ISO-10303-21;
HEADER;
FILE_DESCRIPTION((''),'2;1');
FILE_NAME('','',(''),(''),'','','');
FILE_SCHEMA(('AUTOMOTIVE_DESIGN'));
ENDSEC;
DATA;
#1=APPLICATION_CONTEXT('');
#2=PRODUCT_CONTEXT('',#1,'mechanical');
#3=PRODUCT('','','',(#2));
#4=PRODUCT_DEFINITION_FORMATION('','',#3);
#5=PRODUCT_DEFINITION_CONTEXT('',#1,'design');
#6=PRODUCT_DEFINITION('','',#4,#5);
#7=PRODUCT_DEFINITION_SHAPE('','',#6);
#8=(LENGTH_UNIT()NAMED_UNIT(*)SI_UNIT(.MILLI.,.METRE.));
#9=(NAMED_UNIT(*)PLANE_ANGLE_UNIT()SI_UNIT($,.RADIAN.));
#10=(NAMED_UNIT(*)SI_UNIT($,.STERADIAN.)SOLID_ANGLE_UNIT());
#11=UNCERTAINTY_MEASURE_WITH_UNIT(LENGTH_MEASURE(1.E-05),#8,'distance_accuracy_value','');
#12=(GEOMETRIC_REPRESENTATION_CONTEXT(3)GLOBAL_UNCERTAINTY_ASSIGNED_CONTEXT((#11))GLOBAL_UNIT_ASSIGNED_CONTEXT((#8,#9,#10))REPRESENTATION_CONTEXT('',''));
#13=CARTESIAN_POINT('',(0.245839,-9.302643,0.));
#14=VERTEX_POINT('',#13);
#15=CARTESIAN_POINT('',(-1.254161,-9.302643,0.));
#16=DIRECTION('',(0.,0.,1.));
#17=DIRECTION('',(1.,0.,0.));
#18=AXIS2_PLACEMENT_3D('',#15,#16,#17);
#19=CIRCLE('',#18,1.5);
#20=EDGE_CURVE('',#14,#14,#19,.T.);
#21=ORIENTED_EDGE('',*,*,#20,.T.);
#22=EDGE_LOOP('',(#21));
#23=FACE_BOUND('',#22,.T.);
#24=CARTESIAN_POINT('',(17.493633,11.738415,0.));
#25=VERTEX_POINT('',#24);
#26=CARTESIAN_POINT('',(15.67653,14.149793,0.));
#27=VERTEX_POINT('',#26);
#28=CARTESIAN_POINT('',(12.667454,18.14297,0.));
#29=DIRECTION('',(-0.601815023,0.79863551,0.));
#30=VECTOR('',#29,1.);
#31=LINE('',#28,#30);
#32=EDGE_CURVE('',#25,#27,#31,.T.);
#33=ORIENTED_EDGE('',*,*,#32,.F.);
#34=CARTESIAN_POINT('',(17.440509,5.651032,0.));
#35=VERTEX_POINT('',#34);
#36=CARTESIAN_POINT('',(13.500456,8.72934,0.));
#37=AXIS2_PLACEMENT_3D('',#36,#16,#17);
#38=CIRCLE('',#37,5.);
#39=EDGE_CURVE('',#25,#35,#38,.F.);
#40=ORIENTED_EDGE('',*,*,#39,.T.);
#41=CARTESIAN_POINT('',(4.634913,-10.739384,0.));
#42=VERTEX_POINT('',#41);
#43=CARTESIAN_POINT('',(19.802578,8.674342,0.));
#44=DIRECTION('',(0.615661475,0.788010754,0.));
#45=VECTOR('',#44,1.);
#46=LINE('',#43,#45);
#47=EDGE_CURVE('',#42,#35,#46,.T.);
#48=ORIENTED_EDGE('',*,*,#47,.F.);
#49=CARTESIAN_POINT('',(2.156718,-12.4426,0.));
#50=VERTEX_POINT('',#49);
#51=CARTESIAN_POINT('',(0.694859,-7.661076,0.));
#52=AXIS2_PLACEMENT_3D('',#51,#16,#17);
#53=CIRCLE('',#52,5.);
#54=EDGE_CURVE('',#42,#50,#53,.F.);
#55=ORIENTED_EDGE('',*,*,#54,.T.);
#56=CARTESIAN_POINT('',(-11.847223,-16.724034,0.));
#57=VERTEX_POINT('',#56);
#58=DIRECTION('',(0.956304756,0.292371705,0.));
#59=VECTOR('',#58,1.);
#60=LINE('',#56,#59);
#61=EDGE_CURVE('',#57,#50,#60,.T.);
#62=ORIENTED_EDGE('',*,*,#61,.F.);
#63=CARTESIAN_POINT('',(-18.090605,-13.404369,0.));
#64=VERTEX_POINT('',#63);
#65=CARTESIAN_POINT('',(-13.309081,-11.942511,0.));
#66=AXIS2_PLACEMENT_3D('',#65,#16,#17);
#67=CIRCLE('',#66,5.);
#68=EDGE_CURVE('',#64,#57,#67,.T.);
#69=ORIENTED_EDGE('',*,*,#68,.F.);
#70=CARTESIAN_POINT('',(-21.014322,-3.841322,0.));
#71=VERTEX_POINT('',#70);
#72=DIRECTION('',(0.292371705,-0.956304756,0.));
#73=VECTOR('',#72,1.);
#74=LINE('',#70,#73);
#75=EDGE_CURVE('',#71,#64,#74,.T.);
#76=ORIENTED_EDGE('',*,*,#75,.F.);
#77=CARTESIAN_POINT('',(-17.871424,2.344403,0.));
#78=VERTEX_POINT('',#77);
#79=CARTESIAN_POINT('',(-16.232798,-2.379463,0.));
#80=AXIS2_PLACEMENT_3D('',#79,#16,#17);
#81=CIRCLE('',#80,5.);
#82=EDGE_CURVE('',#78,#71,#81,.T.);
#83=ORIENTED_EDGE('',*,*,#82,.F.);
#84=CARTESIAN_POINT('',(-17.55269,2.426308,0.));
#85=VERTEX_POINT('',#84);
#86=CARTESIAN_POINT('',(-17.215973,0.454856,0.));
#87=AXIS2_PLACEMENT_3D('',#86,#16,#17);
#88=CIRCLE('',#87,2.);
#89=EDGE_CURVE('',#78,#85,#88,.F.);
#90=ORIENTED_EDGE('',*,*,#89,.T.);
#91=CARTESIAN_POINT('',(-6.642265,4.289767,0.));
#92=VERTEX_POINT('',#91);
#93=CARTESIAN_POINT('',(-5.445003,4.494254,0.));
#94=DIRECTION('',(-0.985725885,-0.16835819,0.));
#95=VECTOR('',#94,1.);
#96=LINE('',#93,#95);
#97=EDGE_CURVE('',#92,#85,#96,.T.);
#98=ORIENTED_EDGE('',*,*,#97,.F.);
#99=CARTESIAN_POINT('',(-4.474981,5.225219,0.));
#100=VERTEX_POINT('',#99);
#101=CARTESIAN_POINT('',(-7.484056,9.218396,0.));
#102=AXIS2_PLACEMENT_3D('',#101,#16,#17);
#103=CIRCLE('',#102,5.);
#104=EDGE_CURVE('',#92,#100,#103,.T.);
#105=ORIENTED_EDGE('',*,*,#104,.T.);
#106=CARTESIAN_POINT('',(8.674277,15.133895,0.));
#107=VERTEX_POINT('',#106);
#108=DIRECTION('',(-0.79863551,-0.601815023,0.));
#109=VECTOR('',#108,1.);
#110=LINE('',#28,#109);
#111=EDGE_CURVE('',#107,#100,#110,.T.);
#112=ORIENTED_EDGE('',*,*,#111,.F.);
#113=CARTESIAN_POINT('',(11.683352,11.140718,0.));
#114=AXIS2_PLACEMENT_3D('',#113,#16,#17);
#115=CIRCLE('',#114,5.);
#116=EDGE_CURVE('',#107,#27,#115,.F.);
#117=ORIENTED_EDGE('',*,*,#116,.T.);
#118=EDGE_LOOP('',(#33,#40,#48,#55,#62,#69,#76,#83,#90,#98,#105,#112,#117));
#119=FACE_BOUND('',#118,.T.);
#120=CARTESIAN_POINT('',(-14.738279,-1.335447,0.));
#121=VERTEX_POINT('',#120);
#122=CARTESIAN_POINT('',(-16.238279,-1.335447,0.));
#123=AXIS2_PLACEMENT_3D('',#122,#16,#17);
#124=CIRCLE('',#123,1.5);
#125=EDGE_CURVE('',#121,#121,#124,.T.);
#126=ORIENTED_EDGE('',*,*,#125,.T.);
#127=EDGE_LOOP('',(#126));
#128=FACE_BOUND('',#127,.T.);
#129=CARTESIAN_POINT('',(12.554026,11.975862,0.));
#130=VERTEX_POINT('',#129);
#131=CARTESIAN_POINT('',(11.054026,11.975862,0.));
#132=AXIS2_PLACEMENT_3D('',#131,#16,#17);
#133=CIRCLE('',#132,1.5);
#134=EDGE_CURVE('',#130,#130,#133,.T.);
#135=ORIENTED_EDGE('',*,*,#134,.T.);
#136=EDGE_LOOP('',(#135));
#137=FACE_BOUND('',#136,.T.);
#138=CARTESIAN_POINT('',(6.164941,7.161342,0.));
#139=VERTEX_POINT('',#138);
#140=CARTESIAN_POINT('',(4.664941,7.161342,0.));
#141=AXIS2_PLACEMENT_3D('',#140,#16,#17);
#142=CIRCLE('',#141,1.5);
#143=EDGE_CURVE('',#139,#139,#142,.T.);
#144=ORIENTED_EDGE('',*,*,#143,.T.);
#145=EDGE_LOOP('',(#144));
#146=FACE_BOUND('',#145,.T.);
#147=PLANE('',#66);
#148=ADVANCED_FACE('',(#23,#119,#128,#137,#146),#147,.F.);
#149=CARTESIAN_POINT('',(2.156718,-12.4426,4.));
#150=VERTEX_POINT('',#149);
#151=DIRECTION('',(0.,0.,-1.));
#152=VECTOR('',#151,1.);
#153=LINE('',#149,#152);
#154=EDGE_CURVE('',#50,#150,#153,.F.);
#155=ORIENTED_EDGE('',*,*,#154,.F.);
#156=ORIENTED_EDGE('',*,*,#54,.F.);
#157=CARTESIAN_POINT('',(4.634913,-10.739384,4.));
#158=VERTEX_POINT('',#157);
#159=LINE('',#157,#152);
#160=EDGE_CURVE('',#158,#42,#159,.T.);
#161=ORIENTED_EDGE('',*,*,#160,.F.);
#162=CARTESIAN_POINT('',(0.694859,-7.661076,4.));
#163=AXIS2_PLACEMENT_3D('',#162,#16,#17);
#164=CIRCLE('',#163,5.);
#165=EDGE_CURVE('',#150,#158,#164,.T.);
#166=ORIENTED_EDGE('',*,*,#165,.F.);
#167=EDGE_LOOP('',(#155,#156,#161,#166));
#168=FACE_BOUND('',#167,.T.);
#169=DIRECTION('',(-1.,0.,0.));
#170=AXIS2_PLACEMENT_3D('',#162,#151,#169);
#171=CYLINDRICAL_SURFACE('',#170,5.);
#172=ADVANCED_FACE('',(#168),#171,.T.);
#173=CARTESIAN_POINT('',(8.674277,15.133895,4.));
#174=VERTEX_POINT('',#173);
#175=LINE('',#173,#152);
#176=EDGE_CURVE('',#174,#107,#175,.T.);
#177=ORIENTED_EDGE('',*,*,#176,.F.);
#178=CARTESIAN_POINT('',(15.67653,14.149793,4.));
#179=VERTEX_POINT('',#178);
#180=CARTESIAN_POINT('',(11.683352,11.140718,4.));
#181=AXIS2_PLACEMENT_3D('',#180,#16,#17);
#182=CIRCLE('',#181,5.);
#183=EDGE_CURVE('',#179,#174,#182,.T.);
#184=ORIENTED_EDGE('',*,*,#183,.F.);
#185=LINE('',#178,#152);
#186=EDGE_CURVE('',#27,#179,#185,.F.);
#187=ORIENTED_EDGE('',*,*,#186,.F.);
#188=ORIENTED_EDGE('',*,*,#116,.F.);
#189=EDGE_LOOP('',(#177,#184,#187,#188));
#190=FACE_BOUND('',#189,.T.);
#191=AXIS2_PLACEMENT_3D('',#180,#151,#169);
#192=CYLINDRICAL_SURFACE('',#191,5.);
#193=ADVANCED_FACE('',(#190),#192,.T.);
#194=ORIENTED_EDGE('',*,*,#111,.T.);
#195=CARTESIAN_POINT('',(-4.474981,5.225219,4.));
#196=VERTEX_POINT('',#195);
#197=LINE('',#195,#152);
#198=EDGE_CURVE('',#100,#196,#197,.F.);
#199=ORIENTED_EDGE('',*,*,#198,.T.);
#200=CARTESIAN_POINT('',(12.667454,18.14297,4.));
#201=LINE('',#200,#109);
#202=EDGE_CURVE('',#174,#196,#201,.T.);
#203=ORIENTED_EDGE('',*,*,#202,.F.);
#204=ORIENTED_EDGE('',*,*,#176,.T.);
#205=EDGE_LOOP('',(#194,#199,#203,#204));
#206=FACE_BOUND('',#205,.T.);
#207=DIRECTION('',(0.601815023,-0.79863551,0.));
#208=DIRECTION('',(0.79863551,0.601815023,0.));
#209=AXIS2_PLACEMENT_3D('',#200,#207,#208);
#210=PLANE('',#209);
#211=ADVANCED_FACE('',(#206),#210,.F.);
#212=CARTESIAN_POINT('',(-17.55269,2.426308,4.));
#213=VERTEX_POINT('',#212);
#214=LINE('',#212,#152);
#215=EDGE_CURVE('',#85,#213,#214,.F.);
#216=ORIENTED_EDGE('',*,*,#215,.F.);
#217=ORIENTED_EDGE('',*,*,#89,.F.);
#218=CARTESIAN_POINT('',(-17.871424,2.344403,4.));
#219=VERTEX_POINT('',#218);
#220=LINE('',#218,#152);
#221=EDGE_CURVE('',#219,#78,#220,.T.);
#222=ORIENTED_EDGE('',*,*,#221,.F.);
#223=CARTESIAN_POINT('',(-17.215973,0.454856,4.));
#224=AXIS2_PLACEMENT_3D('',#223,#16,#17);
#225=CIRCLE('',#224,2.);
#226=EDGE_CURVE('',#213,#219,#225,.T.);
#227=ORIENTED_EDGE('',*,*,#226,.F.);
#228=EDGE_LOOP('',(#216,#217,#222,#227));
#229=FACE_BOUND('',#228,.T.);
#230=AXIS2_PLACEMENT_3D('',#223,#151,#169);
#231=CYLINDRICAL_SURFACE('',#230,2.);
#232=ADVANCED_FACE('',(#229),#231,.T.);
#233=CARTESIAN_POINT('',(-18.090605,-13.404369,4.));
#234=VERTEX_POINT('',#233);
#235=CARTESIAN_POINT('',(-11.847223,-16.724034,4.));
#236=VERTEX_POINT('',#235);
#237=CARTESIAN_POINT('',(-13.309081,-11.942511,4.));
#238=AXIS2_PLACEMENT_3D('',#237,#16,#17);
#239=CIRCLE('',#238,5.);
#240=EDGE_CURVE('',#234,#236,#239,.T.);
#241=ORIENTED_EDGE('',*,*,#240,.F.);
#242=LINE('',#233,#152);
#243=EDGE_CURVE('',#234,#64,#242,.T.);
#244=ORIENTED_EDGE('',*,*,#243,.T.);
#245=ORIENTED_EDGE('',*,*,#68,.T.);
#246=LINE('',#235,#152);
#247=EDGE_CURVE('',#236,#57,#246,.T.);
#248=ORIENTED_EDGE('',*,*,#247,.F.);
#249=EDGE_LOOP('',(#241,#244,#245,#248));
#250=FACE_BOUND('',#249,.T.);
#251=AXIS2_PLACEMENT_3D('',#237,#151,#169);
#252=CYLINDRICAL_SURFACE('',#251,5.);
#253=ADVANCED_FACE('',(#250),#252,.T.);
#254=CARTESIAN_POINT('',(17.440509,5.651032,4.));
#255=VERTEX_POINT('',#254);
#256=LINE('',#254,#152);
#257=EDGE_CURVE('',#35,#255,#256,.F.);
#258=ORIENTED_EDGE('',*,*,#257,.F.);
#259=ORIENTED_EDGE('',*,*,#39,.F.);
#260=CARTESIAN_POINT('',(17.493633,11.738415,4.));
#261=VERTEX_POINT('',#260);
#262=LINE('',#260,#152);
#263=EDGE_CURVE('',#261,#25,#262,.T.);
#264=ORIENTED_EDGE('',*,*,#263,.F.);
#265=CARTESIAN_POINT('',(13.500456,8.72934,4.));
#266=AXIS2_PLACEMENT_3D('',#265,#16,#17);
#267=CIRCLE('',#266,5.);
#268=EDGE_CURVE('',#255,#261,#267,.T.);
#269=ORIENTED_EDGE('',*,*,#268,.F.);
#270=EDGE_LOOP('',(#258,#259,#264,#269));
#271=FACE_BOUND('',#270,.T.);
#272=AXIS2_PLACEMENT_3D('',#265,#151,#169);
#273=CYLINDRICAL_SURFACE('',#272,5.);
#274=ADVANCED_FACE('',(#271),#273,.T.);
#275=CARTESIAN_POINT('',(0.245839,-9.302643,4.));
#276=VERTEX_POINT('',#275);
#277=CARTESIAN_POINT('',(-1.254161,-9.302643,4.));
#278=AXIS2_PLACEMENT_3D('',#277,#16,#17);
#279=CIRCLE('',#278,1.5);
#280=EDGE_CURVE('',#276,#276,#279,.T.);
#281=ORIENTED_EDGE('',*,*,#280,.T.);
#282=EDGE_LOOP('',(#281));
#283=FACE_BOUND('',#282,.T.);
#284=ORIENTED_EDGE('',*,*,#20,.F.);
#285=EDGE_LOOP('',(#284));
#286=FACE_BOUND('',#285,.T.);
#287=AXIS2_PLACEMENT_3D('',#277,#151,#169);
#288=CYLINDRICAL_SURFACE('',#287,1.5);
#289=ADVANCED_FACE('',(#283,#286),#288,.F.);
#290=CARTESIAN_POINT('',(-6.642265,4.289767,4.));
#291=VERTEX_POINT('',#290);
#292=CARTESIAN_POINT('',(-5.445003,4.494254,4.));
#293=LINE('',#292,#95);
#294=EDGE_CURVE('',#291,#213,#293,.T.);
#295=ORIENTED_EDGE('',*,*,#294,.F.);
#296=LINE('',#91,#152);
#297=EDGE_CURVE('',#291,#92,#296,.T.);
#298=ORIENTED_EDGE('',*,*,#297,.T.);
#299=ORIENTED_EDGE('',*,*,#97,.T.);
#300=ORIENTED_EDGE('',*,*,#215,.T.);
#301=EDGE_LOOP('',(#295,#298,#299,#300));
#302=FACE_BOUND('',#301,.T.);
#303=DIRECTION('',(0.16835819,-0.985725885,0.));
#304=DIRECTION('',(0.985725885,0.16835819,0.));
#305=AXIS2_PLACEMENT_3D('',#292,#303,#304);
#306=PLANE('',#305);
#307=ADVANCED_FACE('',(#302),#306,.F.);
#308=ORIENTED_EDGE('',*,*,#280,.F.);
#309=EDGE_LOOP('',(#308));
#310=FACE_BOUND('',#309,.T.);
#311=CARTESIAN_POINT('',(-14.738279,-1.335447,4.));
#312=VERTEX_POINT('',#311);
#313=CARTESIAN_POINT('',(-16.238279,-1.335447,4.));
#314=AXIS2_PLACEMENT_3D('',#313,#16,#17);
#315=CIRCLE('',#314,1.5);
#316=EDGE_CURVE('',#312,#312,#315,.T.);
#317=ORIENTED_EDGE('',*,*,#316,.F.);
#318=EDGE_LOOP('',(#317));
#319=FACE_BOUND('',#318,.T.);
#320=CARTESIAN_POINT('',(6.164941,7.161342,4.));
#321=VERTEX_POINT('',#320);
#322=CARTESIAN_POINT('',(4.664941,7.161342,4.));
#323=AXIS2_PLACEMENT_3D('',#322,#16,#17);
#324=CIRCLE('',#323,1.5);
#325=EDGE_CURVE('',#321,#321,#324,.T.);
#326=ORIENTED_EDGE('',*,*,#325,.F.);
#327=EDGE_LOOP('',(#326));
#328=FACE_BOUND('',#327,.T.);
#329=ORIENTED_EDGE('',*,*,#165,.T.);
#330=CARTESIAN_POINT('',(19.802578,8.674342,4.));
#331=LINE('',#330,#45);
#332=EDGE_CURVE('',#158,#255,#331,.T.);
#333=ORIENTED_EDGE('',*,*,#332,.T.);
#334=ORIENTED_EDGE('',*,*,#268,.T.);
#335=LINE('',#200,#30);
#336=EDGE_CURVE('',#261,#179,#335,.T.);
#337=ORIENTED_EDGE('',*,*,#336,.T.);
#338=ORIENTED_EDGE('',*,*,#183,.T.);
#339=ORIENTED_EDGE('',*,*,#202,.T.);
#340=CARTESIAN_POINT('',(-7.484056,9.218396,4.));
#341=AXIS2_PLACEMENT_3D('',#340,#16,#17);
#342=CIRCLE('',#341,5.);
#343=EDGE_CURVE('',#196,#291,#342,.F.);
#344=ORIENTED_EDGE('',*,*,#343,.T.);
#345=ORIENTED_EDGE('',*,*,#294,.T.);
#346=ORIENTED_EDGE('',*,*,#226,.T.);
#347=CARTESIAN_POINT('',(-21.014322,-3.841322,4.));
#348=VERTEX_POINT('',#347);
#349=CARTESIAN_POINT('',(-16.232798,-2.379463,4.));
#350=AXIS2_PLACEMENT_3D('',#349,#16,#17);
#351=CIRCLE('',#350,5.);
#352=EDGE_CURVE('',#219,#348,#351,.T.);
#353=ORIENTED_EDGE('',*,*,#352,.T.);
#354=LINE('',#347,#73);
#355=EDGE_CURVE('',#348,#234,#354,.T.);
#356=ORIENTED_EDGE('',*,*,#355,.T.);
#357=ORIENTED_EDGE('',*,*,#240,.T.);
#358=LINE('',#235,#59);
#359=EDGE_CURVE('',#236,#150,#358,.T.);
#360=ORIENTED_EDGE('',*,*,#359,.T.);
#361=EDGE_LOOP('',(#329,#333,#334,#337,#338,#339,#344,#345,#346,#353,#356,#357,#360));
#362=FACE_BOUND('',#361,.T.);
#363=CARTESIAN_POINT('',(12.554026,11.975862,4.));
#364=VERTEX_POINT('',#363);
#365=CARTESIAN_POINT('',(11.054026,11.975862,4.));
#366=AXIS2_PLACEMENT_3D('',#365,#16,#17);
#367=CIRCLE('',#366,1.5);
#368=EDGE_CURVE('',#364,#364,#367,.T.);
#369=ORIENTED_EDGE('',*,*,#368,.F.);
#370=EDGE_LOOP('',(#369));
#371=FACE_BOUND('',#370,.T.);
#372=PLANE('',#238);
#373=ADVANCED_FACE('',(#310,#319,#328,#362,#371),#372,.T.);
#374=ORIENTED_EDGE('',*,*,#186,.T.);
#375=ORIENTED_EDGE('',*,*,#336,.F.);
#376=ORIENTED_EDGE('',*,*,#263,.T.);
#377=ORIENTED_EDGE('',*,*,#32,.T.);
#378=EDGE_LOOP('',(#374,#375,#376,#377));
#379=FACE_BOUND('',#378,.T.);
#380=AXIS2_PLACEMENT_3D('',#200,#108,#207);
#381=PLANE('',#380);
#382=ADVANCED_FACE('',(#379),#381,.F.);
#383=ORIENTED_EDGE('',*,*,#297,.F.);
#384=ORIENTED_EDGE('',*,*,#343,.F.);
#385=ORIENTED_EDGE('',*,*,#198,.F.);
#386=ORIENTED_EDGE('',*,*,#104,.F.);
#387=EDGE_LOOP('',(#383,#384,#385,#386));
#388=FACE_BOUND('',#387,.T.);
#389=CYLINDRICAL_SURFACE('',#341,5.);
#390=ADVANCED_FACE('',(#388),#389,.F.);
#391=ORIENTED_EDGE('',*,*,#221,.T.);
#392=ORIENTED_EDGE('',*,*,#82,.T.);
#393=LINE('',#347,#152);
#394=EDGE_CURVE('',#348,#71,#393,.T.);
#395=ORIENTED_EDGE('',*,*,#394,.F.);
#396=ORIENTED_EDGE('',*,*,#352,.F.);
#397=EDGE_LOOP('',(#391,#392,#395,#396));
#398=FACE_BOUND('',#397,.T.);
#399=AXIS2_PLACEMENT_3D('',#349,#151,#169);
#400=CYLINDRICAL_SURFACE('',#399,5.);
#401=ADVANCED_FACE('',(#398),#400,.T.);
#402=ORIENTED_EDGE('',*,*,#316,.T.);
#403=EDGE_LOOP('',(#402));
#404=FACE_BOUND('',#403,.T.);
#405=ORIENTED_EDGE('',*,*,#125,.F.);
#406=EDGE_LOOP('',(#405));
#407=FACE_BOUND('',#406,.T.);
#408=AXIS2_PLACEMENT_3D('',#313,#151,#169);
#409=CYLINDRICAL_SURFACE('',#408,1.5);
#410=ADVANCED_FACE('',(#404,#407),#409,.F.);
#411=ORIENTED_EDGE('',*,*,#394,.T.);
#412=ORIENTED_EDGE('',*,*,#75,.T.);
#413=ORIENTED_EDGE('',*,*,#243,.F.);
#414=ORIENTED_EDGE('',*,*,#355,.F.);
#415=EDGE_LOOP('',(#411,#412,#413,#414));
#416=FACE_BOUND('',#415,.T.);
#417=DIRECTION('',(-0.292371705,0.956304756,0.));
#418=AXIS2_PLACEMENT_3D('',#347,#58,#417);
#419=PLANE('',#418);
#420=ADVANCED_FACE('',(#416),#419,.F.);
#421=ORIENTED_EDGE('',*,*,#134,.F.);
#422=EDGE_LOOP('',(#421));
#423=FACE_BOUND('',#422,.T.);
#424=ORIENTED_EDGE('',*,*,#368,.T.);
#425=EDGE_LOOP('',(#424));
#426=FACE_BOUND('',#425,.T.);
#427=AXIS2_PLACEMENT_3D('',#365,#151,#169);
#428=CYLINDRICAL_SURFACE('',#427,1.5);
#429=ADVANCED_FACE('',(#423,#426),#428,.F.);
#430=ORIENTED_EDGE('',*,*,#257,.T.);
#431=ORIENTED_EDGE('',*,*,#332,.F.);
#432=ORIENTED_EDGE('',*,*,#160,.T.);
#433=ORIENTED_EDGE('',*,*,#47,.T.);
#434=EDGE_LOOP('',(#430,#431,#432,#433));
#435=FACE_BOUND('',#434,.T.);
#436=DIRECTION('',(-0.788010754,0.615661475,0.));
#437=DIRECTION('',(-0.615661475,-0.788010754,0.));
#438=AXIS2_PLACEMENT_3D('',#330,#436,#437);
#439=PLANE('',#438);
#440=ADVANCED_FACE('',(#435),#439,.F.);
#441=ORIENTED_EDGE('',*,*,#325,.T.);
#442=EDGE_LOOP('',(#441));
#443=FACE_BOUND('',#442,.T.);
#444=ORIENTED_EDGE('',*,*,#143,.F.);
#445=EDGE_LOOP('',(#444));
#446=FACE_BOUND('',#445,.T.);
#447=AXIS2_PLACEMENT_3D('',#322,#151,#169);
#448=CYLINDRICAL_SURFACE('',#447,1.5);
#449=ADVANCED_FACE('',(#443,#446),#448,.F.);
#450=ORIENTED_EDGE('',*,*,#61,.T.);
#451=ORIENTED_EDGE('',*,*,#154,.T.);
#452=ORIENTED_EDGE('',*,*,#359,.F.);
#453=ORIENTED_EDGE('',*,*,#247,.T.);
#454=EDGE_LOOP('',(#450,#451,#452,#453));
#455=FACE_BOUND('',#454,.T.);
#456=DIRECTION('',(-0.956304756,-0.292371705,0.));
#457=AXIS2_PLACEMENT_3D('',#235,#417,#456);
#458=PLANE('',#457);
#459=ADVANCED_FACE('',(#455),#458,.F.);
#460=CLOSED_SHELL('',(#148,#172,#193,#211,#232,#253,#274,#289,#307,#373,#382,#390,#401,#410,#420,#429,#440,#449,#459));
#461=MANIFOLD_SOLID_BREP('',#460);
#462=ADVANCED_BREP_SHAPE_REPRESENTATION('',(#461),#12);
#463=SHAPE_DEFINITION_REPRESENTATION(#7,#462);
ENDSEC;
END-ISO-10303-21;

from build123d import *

# Parameters (mm, degrees)
SKETCH_1_R          = 1.5
EXTRUDE_1_DEPTH     = 4
FILLET_2_R          = 5
CUT_EXTRUDE_1_DEPTH = 5
FILLET_3_R          = 5
FILLET_4_R          = 2


with BuildPart() as part:
    # 草图1 → 凸台-拉伸1 (new body)
    with BuildSketch(Plane.XY):
        with BuildLine():
            Line((12.667454416, 18.14297047), (-5.445003471, 4.494254472))
            Line((-5.445003471, 4.494254472), (-17.69465686, 2.402060789))
            ThreePointArc((-17.69465686, 2.402060789), (-20.647536301, -0.032105177), (-21.014322116, -3.841321514))
            Line((-21.014322116, -3.841321514), (-18.090605069, -13.404369074))
            ThreePointArc((-18.090605069, -13.404369074), (-15.656439103, -16.357248515), (-11.847222766, -16.72403433))
            Line((-11.847222766, -16.72403433), (29.431618129, -4.103826174))
            Line((29.431618129, -4.103826174), (12.667454416, 18.14297047))
        make_face()
        with Locations((11.05402554, 11.9758622)):
            Circle(SKETCH_1_R, mode=Mode.SUBTRACT)
        with Locations((4.66494146, 7.161342014)):
            Circle(SKETCH_1_R, mode=Mode.SUBTRACT)
        with Locations((-16.238278615, -1.335446723)):
            Circle(SKETCH_1_R, mode=Mode.SUBTRACT)
        with Locations((-1.254161086, -9.302643338)):
            Circle(SKETCH_1_R, mode=Mode.SUBTRACT)
    extrude(amount=EXTRUDE_1_DEPTH)

    # 圆角2
    fillet_2_edges = [part.edges().sort_by_distance(p)[0] for p in [
        (-5.445003471, 4.494254472, 2),
        (12.667454416, 18.14297047, 2),
    ]]
    fillet(fillet_2_edges, radius=FILLET_2_R)

    # 草图2 → 切除-拉伸1 (cut, through all)
    with BuildSketch(Plane(origin=(0, 0, 0), x_dir=(-1, 0, 0), z_dir=(0, 0, -1))):
        Polygon((-19.802577759, 8.674341987), (-3.664326363, -11.981677845), (-29.431618129, -4.103826174), align=None)
    extrude(amount=-CUT_EXTRUDE_1_DEPTH, mode=Mode.SUBTRACT)

    # 圆角3
    fillet_3_edges = [part.edges().sort_by_distance(p)[0] for p in [
        (19.802577759, 8.674341987, 2),
        (3.664326363, -11.981677845, 2),
    ]]
    fillet(fillet_3_edges, radius=FILLET_3_R)

    # 圆角4
    fillet_4_edges = [part.edges().sort_by_distance(p)[0] for p in [
        (-17.69465686, 2.402060789, 2),
    ]]
    fillet(fillet_4_edges, radius=FILLET_4_R)


solid = part.part
